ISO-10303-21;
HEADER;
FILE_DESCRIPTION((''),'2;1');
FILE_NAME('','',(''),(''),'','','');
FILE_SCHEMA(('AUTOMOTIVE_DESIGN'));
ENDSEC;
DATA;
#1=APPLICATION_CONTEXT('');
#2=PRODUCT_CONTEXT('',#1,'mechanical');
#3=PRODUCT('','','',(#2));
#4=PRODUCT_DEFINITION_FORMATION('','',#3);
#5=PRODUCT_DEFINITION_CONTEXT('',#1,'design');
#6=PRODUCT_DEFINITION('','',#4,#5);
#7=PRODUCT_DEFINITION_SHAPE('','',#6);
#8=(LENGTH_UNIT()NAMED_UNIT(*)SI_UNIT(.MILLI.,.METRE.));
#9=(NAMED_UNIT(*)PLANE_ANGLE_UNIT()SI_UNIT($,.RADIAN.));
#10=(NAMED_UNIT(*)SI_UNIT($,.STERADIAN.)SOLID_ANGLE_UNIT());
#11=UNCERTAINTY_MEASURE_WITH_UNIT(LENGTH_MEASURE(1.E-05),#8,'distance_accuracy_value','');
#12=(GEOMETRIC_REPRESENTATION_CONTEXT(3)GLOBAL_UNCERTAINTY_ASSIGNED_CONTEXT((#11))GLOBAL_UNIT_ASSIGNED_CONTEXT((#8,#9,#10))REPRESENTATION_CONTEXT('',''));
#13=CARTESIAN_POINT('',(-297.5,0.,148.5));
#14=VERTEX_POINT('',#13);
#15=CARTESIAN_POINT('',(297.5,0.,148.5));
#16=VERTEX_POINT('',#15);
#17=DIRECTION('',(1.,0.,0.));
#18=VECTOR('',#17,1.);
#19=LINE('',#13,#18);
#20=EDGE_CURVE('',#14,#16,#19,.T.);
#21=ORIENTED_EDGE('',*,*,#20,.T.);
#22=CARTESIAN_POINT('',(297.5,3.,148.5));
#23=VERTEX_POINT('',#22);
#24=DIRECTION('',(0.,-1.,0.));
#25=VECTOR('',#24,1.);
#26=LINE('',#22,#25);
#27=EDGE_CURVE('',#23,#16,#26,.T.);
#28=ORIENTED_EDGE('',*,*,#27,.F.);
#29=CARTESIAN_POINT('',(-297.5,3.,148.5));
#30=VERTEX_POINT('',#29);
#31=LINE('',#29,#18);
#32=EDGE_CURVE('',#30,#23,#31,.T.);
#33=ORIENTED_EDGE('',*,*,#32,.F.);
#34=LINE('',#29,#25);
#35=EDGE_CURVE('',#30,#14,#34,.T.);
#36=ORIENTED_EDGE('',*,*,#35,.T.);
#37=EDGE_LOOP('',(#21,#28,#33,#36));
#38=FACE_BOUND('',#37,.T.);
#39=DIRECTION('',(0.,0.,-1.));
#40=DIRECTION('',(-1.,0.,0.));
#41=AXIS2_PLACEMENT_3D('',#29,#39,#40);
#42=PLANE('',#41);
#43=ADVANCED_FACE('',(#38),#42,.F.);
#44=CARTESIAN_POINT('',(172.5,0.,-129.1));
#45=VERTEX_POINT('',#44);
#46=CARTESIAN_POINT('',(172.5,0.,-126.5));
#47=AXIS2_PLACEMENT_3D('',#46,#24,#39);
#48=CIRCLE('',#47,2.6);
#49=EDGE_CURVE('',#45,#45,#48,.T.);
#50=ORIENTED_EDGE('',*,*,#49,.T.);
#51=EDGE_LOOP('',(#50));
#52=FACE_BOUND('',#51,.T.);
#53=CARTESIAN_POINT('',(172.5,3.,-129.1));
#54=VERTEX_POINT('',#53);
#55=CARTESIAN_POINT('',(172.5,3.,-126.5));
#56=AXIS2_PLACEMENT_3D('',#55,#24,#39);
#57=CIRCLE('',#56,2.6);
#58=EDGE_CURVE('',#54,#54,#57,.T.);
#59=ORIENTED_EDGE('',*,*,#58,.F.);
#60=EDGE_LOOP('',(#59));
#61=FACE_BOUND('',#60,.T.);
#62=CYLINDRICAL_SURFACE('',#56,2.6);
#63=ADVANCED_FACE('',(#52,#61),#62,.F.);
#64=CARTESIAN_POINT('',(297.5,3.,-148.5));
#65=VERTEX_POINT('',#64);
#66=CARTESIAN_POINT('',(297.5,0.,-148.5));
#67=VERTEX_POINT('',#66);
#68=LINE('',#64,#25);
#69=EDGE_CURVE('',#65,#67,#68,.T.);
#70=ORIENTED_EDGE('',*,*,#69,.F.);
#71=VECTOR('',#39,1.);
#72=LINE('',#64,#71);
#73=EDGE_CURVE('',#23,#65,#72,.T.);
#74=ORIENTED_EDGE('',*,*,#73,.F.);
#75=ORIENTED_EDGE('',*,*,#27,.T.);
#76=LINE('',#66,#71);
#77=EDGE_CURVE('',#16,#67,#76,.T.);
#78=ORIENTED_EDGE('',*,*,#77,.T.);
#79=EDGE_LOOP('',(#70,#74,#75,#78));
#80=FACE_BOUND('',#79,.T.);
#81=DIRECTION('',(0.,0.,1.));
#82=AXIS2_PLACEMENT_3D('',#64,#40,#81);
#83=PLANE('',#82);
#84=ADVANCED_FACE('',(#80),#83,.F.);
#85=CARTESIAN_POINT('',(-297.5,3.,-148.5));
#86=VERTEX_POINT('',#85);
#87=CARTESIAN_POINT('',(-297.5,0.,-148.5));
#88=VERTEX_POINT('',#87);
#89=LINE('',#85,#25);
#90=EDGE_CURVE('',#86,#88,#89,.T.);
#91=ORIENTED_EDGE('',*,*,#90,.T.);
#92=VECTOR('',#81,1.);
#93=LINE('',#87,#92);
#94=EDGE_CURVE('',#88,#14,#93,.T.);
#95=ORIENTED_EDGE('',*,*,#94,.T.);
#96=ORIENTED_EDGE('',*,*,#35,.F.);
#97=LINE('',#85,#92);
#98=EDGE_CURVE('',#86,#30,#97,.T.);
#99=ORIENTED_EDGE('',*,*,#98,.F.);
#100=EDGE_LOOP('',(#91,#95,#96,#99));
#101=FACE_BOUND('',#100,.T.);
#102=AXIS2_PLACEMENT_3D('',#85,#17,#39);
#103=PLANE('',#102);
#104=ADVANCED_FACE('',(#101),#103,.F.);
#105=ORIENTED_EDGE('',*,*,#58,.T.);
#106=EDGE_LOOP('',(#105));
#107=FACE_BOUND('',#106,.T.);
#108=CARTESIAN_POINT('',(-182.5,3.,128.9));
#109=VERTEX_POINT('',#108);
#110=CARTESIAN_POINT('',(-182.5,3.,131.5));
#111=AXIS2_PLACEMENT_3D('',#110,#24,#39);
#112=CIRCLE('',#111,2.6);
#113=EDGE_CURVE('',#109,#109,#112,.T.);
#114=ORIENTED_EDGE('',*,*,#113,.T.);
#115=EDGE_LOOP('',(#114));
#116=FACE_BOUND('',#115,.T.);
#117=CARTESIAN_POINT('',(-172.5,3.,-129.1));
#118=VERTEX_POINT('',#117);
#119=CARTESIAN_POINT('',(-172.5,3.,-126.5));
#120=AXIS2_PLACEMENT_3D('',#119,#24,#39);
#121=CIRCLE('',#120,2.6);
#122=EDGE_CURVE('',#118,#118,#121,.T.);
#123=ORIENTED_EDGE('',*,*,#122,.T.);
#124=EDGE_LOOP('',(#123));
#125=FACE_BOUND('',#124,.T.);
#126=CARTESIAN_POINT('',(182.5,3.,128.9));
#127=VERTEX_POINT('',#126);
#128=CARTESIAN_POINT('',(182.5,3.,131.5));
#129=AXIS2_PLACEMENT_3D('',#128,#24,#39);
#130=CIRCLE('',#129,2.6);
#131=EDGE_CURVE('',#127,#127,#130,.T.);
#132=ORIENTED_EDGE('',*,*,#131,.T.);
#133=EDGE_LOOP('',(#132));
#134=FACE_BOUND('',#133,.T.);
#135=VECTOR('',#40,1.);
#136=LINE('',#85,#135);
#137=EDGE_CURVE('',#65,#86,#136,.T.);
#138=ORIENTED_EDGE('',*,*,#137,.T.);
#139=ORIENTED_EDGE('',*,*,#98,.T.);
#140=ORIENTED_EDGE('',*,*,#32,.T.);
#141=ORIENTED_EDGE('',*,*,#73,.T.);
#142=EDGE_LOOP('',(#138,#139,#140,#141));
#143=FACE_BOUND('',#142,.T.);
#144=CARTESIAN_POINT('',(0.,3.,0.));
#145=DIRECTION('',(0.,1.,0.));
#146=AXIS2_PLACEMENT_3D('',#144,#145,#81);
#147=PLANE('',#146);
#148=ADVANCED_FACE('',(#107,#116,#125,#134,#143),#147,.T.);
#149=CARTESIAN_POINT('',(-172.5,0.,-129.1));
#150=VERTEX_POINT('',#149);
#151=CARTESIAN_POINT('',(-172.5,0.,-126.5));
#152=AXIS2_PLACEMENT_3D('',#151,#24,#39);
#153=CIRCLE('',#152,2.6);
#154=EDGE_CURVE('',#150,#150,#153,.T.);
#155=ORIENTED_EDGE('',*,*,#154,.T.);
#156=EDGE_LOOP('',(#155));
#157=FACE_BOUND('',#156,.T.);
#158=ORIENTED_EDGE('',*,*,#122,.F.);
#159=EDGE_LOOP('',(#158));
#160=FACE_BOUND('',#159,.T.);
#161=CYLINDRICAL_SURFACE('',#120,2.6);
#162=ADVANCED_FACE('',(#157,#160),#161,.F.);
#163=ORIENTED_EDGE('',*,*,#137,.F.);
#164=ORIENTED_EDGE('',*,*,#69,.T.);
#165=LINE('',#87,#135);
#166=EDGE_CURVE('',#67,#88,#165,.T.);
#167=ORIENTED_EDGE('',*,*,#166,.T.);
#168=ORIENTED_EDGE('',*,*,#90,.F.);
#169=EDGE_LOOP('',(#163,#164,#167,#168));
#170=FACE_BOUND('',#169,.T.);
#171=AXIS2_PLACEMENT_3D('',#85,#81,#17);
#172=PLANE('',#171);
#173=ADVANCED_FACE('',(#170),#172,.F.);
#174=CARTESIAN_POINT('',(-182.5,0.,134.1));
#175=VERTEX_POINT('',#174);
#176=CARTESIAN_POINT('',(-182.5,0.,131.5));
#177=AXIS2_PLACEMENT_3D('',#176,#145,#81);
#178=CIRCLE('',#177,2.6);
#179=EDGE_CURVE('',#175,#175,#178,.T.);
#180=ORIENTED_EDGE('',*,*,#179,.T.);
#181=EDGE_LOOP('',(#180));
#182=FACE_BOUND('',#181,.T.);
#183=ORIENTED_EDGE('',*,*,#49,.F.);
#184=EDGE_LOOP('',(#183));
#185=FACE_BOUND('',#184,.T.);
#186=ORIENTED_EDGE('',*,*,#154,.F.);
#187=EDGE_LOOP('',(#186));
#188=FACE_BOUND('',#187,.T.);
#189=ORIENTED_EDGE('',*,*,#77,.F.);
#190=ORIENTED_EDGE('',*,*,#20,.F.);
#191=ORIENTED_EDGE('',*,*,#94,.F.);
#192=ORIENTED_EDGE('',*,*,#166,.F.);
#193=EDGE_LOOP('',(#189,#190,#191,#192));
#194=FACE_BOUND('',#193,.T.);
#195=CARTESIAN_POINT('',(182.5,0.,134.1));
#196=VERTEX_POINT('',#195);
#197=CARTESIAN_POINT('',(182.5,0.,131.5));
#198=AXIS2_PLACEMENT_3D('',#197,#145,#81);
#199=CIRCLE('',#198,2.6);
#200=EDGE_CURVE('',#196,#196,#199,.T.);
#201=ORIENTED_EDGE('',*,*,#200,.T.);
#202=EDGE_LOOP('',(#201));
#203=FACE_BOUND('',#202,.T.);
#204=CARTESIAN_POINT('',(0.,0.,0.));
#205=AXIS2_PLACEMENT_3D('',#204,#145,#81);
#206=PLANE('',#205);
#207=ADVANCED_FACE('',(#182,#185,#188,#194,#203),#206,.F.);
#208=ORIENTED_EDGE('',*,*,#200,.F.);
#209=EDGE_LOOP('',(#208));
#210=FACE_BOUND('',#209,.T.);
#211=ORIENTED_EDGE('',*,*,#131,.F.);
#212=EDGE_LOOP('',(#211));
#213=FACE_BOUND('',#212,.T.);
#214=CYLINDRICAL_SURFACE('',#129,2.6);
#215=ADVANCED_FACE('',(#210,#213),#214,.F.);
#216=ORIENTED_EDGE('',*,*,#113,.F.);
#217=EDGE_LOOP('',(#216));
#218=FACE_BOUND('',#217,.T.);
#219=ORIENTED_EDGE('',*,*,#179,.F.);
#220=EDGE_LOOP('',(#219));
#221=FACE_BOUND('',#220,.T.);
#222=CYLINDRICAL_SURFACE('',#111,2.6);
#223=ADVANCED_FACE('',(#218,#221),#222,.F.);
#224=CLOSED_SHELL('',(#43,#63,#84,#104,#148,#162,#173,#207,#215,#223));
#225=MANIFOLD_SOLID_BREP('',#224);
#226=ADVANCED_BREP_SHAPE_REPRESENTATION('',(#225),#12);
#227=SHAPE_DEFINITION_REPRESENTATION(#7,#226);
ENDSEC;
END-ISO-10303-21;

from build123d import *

# Parameters (mm, degrees)
SKETCH1_W               = 595
SKETCH1_H               = 297
BOSS_EXTRUDE1_DEPTH     = 3
CUT_EXTRUDE1_DEPTH      = 333.516916863
CUT_EXTRUDE1_DEPTH_BACK = 333.516916863
SKETCH2_R               = 2.6
CUT_EXTRUDE2_DEPTH      = 333.516916863
CUT_EXTRUDE2_DEPTH_BACK = 333.516916863
SKETCH3_R               = 2.6


with BuildPart() as part:
    # Sketch1 → Boss-Extrude1 (new body)
    with BuildSketch(Plane(origin=(0, 0, 0), x_dir=(1, 0, 0), z_dir=(0, 1, 0))):
        Rectangle(SKETCH1_W, SKETCH1_H)
    extrude(amount=BOSS_EXTRUDE1_DEPTH)

    # Sketch2 → Cut-Extrude1 (cut, two sides: drawn at the far end of the back side and taken through both)
    with BuildSketch(Plane.XZ.offset(-CUT_EXTRUDE1_DEPTH_BACK)):
        with Locations(Location((182.5, 131.5, 0), (0, 0, 270))):
            Circle(SKETCH2_R)
        with Locations(Location((-182.5, 131.5, 0), (0, 0, 270))):
            Circle(SKETCH2_R)
    extrude(amount=CUT_EXTRUDE1_DEPTH + CUT_EXTRUDE1_DEPTH_BACK, mode=Mode.SUBTRACT)

    # Sketch3 → Cut-Extrude2 (cut, two sides: drawn at the far end of the back side and taken through both)
    with BuildSketch(Plane(origin=(0, 0, 0), x_dir=(-1, 0, 0), z_dir=(0, -1, 0)).offset(-CUT_EXTRUDE2_DEPTH_BACK)):
        with Locations(Location((-172.5, 126.5, 0), (0, 0, 90))):
            Circle(SKETCH3_R)
        with Locations(Location((172.5, 126.5, 0), (0, 0, 90))):
            Circle(SKETCH3_R)
    extrude(amount=CUT_EXTRUDE2_DEPTH + CUT_EXTRUDE2_DEPTH_BACK, mode=Mode.SUBTRACT)


solid = part.part
